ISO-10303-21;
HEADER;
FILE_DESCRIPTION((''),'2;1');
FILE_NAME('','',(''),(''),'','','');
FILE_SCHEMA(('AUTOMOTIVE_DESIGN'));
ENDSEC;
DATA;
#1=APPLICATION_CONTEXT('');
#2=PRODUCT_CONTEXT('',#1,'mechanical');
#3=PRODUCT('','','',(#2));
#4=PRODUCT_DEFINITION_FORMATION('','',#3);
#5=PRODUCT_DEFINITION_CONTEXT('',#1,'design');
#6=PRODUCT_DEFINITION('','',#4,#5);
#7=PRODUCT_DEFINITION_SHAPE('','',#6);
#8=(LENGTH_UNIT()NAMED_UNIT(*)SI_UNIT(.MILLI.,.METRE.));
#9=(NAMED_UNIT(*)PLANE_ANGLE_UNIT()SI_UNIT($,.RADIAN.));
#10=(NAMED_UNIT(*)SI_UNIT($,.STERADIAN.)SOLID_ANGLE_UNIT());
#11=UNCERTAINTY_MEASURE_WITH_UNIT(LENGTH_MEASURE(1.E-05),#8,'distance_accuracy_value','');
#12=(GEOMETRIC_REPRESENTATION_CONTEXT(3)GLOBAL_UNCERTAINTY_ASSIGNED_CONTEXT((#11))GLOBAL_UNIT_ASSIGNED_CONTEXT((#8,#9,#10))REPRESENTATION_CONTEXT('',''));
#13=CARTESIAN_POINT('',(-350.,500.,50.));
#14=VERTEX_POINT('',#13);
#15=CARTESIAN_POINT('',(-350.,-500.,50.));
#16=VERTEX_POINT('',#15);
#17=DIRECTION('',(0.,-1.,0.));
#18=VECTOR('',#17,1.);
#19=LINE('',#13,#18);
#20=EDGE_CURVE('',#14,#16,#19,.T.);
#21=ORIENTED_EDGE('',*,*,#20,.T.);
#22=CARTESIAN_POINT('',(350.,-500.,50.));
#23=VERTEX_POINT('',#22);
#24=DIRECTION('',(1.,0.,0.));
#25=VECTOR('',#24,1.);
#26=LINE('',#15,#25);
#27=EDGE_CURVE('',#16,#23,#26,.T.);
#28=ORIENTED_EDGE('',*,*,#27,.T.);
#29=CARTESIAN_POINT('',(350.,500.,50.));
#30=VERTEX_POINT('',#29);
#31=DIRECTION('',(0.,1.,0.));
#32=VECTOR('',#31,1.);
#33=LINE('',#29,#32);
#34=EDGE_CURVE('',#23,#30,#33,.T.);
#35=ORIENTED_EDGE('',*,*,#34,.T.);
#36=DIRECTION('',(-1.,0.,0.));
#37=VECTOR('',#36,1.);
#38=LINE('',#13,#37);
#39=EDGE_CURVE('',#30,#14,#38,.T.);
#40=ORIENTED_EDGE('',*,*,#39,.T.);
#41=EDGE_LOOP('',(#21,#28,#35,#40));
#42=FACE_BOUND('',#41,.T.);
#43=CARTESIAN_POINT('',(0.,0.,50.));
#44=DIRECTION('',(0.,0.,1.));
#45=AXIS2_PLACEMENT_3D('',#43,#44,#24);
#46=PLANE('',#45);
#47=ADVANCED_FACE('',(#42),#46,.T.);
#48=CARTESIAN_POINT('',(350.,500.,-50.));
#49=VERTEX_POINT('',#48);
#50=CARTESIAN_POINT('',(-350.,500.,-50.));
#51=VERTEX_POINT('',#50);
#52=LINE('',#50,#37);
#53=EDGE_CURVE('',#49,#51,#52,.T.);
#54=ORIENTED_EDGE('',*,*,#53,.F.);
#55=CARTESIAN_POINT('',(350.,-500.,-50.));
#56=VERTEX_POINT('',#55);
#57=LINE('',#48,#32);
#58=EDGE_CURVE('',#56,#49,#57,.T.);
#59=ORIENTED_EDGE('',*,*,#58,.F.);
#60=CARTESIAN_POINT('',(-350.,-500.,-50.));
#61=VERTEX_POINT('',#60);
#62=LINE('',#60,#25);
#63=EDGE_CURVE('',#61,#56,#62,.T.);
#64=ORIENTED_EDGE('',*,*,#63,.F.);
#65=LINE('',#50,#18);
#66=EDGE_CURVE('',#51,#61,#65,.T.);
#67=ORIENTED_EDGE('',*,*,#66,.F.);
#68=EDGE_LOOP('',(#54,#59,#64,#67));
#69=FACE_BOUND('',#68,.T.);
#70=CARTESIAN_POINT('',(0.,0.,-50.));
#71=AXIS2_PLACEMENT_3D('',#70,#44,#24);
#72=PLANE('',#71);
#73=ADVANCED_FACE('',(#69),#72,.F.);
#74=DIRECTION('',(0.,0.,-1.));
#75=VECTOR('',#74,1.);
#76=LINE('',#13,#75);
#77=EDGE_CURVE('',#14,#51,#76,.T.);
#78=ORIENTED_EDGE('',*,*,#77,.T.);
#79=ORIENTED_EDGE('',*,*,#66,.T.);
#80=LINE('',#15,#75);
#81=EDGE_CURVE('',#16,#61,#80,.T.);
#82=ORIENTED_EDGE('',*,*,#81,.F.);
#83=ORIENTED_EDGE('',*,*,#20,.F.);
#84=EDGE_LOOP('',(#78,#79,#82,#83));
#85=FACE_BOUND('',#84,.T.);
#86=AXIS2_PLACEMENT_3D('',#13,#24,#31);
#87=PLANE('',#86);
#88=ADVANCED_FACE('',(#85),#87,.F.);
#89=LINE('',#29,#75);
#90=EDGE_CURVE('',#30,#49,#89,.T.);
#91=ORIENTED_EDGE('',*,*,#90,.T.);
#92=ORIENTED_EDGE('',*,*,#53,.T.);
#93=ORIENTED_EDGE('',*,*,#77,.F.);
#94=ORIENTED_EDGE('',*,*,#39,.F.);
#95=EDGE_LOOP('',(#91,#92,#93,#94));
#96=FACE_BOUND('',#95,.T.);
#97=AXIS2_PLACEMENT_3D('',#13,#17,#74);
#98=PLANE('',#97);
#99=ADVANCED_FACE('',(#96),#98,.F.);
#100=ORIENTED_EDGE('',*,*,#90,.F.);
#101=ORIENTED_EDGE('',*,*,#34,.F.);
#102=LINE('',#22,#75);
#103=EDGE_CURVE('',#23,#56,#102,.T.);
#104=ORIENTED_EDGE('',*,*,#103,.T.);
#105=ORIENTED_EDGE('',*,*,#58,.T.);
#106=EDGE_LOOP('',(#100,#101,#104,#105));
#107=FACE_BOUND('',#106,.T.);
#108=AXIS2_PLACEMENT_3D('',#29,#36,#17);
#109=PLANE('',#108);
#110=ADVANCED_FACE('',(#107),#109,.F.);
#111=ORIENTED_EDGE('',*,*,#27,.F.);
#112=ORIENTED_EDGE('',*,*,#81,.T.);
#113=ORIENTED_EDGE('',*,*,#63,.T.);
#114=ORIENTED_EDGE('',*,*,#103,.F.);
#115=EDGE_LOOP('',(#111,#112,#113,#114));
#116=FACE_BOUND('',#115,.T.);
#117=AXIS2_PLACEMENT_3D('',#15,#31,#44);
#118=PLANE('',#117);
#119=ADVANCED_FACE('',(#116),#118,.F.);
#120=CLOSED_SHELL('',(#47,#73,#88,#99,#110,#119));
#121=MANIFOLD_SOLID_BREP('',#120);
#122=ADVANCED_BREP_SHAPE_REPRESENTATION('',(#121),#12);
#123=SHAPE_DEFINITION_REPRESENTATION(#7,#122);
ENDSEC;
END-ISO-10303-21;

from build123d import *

# Parameters (mm, degrees)
SKETCH1_W           = 700
SKETCH1_H           = 1000
BOSS_EXTRUDE1_DEPTH = 50


with BuildPart() as part:
    # Sketch1 → Boss-Extrude1 (new body, symmetric)
    with BuildSketch(Plane.XY):
        Rectangle(SKETCH1_W, SKETCH1_H)
    extrude(amount=BOSS_EXTRUDE1_DEPTH, both=True)


solid = part.part
